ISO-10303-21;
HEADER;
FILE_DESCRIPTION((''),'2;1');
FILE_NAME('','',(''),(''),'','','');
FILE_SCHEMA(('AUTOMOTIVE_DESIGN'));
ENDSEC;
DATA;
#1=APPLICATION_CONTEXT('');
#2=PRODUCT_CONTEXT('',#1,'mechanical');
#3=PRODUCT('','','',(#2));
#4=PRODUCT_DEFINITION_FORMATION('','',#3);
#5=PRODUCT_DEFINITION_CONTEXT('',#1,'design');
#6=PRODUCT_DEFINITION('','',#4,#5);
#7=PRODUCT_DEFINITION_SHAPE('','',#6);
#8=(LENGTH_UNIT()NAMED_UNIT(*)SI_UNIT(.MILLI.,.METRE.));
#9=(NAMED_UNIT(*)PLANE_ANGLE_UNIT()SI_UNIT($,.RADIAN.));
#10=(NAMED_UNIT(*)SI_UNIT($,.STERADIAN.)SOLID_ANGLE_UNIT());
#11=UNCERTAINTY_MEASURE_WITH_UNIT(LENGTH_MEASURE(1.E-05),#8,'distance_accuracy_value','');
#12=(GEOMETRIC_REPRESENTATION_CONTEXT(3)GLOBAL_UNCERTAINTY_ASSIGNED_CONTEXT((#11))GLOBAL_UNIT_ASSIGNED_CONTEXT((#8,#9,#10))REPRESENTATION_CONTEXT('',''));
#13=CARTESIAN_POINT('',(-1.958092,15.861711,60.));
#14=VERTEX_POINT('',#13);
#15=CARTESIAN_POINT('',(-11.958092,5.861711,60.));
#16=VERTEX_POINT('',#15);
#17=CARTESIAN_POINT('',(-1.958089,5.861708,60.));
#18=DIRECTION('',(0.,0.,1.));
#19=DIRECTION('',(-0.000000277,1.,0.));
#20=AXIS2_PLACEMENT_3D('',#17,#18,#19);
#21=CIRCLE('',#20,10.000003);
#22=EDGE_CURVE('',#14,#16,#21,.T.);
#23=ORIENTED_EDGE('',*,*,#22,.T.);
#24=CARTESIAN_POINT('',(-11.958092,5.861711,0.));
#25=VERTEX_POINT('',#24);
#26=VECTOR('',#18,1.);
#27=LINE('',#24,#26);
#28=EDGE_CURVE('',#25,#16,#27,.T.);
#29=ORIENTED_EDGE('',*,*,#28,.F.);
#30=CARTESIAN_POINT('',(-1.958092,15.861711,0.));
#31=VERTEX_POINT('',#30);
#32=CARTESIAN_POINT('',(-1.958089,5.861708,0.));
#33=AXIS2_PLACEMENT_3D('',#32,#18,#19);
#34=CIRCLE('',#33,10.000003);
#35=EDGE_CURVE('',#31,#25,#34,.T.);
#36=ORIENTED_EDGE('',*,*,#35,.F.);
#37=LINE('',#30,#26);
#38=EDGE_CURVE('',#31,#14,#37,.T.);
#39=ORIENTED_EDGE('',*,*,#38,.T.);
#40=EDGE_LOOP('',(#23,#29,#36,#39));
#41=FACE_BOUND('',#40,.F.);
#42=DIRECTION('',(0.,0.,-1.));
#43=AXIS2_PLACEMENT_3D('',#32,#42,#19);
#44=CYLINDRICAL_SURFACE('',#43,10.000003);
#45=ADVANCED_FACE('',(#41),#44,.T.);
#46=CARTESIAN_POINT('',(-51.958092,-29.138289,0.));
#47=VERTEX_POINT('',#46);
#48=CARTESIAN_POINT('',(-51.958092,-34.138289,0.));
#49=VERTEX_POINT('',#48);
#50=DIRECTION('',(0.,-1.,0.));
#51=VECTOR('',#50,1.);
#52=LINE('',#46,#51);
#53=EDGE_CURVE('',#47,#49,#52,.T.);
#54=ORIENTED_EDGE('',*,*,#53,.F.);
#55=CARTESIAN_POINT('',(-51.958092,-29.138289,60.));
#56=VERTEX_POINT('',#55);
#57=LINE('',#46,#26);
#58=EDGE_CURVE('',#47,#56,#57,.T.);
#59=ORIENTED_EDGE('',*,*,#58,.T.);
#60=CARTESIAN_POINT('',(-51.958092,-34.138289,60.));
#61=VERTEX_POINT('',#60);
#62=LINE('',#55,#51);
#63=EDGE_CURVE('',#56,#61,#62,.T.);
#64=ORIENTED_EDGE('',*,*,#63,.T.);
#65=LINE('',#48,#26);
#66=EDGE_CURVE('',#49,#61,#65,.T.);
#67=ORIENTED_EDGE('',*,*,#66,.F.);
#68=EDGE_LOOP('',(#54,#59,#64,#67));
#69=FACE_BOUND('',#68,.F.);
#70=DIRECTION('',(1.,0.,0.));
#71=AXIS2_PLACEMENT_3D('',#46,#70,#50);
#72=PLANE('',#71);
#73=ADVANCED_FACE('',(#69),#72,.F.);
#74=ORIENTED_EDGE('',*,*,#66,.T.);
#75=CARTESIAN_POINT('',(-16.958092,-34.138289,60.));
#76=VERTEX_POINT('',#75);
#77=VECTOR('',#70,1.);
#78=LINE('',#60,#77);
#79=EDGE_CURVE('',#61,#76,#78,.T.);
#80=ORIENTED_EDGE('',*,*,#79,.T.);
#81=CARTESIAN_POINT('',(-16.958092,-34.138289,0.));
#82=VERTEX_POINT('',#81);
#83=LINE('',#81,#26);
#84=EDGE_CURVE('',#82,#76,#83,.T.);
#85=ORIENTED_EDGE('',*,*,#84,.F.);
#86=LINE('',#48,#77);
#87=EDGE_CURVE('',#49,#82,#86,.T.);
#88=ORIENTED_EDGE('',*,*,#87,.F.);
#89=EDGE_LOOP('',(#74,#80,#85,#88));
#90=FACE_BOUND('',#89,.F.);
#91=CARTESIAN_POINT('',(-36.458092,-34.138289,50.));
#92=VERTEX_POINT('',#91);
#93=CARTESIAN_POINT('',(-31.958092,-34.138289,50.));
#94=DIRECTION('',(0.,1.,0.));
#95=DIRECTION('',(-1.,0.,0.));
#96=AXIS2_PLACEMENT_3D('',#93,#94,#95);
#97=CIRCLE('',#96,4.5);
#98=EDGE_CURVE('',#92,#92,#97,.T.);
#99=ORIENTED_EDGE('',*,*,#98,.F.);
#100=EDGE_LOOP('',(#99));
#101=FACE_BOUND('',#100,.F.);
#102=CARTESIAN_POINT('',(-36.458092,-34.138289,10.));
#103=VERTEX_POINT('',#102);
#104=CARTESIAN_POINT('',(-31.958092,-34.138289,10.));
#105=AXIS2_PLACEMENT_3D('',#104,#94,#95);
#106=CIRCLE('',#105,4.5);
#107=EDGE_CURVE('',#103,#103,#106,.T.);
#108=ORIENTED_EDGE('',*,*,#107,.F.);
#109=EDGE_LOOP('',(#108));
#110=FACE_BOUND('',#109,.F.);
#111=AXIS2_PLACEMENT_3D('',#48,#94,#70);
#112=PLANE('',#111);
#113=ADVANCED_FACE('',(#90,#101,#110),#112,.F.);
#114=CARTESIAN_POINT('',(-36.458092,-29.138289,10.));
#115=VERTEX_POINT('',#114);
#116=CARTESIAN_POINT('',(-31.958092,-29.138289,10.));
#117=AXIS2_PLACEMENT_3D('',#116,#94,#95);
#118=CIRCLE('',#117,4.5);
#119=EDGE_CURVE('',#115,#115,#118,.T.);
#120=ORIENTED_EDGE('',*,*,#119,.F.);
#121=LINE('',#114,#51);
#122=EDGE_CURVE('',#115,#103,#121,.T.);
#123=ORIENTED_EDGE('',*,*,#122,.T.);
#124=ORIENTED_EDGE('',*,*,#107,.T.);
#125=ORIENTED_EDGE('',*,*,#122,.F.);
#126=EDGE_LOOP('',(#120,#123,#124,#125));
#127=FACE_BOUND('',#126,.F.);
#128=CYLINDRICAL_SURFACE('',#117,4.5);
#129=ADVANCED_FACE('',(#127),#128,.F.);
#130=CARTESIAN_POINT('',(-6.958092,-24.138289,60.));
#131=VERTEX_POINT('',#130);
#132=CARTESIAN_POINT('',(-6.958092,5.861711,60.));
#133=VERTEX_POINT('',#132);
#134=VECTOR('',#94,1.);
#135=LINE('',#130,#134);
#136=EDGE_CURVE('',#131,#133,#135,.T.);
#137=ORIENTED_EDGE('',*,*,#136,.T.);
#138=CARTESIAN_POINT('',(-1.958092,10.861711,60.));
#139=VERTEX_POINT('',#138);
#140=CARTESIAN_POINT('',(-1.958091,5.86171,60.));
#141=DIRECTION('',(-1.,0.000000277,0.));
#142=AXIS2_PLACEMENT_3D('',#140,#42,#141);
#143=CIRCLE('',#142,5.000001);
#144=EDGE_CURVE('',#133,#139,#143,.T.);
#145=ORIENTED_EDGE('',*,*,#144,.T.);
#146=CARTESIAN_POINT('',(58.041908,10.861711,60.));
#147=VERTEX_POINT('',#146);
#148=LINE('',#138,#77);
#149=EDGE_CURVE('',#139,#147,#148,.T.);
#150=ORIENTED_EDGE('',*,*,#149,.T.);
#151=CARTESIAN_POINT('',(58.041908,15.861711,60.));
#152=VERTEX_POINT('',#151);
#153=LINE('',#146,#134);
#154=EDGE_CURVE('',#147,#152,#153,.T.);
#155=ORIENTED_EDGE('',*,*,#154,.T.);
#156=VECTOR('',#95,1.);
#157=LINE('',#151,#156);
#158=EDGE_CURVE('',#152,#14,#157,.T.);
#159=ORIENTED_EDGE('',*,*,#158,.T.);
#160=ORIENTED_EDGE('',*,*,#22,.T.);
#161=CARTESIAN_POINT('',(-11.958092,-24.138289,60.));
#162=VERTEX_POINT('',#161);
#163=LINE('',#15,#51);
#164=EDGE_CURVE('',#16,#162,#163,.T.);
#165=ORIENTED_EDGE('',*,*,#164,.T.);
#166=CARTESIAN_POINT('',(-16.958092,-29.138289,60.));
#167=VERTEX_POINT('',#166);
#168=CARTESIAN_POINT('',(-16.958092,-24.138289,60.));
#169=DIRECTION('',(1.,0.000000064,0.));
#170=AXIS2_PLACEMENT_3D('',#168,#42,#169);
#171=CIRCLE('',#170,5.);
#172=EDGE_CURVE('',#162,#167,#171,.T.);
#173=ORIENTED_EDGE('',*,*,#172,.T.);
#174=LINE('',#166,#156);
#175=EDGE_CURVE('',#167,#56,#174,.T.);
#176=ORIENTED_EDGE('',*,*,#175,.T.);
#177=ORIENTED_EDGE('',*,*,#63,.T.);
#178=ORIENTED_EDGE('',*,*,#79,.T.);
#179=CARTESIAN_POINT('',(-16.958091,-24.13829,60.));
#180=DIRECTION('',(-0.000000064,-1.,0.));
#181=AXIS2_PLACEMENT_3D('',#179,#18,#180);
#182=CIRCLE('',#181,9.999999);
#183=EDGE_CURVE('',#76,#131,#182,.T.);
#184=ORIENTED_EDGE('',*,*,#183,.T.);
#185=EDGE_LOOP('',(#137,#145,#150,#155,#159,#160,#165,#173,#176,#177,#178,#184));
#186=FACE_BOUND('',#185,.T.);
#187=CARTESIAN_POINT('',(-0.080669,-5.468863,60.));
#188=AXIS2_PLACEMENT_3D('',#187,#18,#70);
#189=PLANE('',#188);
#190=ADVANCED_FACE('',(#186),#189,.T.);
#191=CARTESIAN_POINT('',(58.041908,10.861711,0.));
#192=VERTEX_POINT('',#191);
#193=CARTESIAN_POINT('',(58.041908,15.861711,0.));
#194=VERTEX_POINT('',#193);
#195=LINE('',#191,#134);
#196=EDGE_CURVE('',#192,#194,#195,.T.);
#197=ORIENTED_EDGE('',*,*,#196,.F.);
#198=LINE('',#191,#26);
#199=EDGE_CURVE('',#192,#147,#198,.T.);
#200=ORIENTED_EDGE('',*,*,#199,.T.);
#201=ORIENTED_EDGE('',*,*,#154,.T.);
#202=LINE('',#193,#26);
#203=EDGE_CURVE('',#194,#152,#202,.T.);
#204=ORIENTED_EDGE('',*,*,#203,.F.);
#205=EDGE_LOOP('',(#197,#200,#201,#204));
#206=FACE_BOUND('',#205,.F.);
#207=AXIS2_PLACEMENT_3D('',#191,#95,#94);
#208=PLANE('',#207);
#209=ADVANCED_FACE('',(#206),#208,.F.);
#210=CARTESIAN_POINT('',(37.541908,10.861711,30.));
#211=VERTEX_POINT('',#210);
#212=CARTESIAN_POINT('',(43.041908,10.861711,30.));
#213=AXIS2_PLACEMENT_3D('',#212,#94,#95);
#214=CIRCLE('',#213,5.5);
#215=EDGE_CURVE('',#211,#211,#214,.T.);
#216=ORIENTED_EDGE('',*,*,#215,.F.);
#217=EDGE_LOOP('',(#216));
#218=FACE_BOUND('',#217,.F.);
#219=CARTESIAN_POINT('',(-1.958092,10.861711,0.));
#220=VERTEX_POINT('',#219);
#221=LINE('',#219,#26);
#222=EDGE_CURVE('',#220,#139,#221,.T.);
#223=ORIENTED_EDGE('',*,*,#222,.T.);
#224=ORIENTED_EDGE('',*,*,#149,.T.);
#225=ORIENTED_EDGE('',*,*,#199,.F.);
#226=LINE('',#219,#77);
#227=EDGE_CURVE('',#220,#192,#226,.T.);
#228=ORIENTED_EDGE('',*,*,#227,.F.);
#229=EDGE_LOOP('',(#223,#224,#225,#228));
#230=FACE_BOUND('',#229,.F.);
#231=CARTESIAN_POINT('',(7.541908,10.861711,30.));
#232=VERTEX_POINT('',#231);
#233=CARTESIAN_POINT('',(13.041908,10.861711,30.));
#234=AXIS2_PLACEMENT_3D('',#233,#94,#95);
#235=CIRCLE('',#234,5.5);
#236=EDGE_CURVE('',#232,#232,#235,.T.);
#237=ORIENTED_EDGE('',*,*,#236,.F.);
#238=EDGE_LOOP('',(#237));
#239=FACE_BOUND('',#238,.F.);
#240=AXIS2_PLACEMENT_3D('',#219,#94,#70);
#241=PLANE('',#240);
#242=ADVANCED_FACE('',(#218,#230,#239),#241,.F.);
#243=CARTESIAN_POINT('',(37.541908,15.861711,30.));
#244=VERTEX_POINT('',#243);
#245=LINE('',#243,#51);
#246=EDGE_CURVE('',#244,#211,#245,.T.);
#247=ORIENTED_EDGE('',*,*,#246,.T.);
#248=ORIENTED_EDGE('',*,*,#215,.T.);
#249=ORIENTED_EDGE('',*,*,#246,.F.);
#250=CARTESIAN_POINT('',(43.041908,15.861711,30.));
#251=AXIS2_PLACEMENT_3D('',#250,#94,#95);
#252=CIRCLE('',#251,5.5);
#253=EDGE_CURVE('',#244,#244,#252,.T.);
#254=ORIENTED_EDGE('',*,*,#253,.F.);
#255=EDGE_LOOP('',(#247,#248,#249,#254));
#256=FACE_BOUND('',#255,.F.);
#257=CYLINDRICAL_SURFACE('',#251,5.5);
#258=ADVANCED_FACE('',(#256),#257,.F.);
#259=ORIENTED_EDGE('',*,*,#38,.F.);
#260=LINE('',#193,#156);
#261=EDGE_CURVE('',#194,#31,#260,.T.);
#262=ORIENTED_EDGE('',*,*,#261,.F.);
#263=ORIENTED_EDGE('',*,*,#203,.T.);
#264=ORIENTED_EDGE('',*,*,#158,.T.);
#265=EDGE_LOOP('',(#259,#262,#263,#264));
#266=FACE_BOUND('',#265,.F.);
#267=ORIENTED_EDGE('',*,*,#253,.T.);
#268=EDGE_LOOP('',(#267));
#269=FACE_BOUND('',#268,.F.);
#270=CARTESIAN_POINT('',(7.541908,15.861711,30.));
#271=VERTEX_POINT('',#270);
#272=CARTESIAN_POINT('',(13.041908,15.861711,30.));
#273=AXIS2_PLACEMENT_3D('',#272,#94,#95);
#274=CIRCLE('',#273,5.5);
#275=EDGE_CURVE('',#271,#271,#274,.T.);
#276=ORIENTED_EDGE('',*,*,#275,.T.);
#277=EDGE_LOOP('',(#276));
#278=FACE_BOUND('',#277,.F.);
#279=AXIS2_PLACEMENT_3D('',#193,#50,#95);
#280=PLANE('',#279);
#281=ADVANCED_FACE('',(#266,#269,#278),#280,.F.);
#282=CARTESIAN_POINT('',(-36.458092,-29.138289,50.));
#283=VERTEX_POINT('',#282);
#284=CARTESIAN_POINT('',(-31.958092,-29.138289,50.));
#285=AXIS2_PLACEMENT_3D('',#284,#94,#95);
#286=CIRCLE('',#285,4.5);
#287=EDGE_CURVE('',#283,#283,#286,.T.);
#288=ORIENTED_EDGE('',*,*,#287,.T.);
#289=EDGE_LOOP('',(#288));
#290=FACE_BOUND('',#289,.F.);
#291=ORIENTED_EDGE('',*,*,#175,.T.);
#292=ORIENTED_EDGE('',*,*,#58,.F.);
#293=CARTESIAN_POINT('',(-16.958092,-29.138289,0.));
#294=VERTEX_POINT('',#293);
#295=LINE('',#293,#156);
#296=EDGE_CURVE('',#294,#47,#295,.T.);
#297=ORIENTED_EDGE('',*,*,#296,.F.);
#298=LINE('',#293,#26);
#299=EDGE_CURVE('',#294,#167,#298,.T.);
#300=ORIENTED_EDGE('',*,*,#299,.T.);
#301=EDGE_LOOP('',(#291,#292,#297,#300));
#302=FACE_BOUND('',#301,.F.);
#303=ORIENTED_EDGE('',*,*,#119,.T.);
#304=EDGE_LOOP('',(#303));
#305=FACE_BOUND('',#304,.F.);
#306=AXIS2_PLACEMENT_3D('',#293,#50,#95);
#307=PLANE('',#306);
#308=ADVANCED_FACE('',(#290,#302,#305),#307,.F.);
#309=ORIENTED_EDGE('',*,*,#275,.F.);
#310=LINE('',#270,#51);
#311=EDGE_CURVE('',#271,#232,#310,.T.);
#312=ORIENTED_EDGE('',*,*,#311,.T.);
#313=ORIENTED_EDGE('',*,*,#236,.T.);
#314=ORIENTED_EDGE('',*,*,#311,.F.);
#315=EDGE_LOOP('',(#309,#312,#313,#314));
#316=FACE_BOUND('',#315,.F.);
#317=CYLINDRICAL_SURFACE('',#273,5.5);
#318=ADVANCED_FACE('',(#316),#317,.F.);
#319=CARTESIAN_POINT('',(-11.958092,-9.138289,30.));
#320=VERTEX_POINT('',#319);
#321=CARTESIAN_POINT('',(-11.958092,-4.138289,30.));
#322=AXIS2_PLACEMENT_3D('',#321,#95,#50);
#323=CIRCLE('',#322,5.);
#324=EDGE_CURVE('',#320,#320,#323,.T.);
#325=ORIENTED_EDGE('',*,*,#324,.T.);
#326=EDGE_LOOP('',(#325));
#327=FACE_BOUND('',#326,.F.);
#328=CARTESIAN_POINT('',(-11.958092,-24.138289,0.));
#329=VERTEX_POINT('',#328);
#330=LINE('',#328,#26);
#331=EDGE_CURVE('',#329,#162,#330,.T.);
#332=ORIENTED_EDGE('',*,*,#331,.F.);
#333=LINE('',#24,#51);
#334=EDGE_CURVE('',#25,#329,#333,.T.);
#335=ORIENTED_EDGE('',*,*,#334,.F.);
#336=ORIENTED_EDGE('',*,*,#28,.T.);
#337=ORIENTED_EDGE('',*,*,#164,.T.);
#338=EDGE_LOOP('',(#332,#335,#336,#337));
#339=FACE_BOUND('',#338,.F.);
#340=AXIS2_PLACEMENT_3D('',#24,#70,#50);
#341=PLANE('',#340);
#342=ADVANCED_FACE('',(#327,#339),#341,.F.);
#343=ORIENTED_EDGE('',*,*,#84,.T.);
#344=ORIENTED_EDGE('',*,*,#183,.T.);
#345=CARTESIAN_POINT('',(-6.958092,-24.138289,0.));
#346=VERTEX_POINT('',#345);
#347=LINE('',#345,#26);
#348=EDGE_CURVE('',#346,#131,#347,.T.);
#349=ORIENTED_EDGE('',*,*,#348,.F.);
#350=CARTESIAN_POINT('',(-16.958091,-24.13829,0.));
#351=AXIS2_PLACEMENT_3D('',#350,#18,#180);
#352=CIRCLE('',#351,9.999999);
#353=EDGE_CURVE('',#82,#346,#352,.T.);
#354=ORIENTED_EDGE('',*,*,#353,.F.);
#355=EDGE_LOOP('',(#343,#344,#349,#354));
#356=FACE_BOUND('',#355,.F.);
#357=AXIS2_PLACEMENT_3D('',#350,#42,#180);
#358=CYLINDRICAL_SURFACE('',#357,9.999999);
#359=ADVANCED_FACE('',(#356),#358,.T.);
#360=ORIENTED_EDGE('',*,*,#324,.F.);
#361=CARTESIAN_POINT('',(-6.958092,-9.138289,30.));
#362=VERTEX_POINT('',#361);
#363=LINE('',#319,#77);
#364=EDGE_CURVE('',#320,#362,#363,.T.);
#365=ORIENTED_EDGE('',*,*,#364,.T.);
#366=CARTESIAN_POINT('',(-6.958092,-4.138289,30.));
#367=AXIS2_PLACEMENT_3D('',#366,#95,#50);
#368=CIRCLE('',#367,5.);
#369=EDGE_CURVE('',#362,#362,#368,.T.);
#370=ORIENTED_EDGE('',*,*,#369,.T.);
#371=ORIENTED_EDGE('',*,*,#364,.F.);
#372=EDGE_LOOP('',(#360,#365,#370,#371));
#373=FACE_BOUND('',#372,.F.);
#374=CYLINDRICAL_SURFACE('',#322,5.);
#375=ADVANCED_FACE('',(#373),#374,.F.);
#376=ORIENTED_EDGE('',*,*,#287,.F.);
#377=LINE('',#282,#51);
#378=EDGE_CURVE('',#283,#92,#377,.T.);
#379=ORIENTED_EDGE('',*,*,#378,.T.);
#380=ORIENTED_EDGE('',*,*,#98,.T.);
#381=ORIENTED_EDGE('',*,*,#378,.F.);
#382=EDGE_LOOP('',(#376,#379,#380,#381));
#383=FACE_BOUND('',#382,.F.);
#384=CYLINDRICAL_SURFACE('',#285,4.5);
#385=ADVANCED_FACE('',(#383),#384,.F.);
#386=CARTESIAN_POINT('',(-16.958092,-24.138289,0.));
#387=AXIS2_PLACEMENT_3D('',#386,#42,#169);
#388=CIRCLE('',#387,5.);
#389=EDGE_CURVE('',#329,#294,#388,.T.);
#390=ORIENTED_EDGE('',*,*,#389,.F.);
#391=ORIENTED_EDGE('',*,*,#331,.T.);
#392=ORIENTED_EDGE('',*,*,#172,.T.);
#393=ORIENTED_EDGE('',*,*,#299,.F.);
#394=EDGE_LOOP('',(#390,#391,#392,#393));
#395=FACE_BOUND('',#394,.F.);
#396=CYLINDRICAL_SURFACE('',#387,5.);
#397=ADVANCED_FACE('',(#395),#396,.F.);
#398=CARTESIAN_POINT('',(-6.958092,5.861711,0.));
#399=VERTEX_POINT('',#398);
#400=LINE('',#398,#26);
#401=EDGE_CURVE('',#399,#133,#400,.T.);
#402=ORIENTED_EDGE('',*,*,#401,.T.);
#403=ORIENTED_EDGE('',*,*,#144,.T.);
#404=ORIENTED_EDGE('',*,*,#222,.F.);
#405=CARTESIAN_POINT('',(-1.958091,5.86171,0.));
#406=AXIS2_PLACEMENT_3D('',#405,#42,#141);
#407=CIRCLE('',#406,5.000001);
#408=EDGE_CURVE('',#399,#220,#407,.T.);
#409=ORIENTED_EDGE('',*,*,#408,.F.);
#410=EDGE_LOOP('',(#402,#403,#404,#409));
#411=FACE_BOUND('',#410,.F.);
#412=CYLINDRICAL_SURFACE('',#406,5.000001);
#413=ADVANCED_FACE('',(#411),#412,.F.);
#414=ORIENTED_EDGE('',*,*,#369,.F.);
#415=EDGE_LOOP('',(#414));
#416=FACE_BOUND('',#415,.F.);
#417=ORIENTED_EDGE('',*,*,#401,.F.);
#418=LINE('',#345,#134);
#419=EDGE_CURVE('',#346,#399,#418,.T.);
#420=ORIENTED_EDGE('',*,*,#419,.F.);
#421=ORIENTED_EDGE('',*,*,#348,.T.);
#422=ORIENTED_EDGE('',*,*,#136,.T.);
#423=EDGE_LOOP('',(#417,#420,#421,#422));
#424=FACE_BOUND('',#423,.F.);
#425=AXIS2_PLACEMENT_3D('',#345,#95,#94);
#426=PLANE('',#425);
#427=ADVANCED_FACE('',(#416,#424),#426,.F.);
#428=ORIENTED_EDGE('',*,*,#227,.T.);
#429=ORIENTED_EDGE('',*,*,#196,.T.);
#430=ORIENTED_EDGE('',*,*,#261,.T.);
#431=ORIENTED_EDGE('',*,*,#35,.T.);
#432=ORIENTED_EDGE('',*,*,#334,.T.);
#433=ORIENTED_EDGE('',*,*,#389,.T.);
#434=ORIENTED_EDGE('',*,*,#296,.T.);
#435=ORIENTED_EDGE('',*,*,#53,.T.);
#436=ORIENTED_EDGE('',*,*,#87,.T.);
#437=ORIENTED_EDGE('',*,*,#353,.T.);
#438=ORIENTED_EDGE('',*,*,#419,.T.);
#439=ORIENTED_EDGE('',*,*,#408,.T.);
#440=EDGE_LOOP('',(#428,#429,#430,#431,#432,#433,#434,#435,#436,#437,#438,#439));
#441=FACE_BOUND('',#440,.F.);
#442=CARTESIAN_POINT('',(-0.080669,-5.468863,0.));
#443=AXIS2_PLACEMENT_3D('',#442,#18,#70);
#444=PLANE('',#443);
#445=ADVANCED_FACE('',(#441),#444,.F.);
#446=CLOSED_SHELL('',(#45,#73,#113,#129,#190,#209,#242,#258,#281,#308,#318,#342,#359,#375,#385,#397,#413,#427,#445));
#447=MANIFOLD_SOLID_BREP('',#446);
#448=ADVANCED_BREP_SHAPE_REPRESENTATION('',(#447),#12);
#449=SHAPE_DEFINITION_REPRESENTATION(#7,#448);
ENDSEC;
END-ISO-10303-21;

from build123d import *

# Parameters (mm, degrees)
F1_DEPTH  = 60
F2_DEPTH  = 60
F3_R      = 4.5
F4_DEPTH  = 25
F5_R      = 5.5
F6_DEPTH  = 25
F7_R      = 5
F8_DEPTH  = 25
F9_DEPTH  = 25
F10_DEPTH = 25
F11_DEPTH = 25


with BuildPart() as f1:
    # F0 (on Top) → F1 (new body)
    with BuildSketch(Plane.XY):
        with BuildLine():
            Line((-16.958092, -29.138289), (-51.958092, -29.138289))
            Line((-51.958092, -29.138289), (-51.958092, -34.138289))
            Line((-51.958092, -34.138289), (-16.958092, -34.138289))
            ThreePointArc((-16.958092, -34.138289), (-9.887024, -31.209357), (-6.958092, -24.138289))
            Line((-6.958092, -24.138289), (-6.958092, 5.861711))
            ThreePointArc((-6.958092, 5.861711), (-5.493625, 9.397245), (-1.958092, 10.861711))
            Line((-1.958092, 10.861711), (58.041908, 10.861711))
            Line((58.041908, 10.861711), (58.041908, 15.861711))
            Line((58.041908, 15.861711), (-1.958092, 15.861711))
            ThreePointArc((-1.958092, 15.861711), (-9.029159, 12.932778), (-11.958092, 5.861711))
            Line((-11.958092, 5.861711), (-11.958092, -24.138289))
            ThreePointArc((-11.958092, -24.138289), (-13.422558, -27.673823), (-16.958092, -29.138289))
        make_face()
    extrude(amount=F1_DEPTH)

    # F0 (on Top) → F2 (join)
    with BuildSketch(Plane.XY):
        with BuildLine():
            Line((-16.958092, -29.138289), (-51.958092, -29.138289))
            Line((-51.958092, -29.138289), (-51.958092, -34.138289))
            Line((-51.958092, -34.138289), (-16.958092, -34.138289))
            ThreePointArc((-16.958092, -34.138289), (-9.887024, -31.209357), (-6.958092, -24.138289))
            Line((-6.958092, -24.138289), (-6.958092, 5.861711))
            ThreePointArc((-6.958092, 5.861711), (-5.493625, 9.397245), (-1.958092, 10.861711))
            Line((-1.958092, 10.861711), (58.041908, 10.861711))
            Line((58.041908, 10.861711), (58.041908, 15.861711))
            Line((58.041908, 15.861711), (-1.958092, 15.861711))
            ThreePointArc((-1.958092, 15.861711), (-9.029159, 12.932778), (-11.958092, 5.861711))
            Line((-11.958092, 5.861711), (-11.958092, -24.138289))
            ThreePointArc((-11.958092, -24.138289), (-13.422558, -27.673823), (-16.958092, -29.138289))
        make_face()
    extrude(amount=F2_DEPTH)

    # F3 (on face) → F4 (cut)
    with BuildSketch(Plane(origin=(0, -29.138289, 0), x_dir=(-1, 0, 0), z_dir=(0, 1, 0))):
        with Locations((31.958092, 10)):
            Circle(F3_R)
        with Locations((31.958092, 50)):
            Circle(F3_R)
    extrude(amount=-F4_DEPTH, mode=Mode.SUBTRACT)

    # F5 (on face) → F6 (cut)
    with BuildSketch(Plane(origin=(0, 15.861711, 0), x_dir=(-1, 0, 0), z_dir=(0, 1, 0))):
        with Locations((-13.041908, 30)):
            Circle(F5_R)
        with Locations((-43.041908, 30)):
            Circle(F5_R)
    extrude(amount=-F6_DEPTH, mode=Mode.SUBTRACT)

    # F7 (on face) → F8 (cut)
    with BuildSketch(Plane(origin=(-11.958092, 0, 0), x_dir=(0, -1, 0), z_dir=(-1, 0, 0))):
        with Locations((4.138289, 30)):
            Circle(F7_R)
    extrude(amount=-F8_DEPTH, mode=Mode.SUBTRACT)

    # F7 (on face) → F9 (cut)
    with BuildSketch(Plane(origin=(-11.958092, 0, 0), x_dir=(0, -1, 0), z_dir=(-1, 0, 0))):
        with Locations((4.138289, 30)):
            Circle(F7_R)
    extrude(amount=-F9_DEPTH, mode=Mode.SUBTRACT)

    # F7 (on face) → F10 (cut)
    with BuildSketch(Plane(origin=(-11.958092, 0, 0), x_dir=(0, -1, 0), z_dir=(-1, 0, 0))):
        with Locations((4.138289, 30)):
            Circle(F7_R)
    extrude(amount=-F10_DEPTH, mode=Mode.SUBTRACT)

    # F7 (on face) → F11 (cut)
    with BuildSketch(Plane(origin=(-11.958092, 0, 0), x_dir=(0, -1, 0), z_dir=(-1, 0, 0))):
        with Locations((4.138289, 30)):
            Circle(F7_R)
    extrude(amount=-F11_DEPTH, mode=Mode.SUBTRACT)


solid = f1.part
